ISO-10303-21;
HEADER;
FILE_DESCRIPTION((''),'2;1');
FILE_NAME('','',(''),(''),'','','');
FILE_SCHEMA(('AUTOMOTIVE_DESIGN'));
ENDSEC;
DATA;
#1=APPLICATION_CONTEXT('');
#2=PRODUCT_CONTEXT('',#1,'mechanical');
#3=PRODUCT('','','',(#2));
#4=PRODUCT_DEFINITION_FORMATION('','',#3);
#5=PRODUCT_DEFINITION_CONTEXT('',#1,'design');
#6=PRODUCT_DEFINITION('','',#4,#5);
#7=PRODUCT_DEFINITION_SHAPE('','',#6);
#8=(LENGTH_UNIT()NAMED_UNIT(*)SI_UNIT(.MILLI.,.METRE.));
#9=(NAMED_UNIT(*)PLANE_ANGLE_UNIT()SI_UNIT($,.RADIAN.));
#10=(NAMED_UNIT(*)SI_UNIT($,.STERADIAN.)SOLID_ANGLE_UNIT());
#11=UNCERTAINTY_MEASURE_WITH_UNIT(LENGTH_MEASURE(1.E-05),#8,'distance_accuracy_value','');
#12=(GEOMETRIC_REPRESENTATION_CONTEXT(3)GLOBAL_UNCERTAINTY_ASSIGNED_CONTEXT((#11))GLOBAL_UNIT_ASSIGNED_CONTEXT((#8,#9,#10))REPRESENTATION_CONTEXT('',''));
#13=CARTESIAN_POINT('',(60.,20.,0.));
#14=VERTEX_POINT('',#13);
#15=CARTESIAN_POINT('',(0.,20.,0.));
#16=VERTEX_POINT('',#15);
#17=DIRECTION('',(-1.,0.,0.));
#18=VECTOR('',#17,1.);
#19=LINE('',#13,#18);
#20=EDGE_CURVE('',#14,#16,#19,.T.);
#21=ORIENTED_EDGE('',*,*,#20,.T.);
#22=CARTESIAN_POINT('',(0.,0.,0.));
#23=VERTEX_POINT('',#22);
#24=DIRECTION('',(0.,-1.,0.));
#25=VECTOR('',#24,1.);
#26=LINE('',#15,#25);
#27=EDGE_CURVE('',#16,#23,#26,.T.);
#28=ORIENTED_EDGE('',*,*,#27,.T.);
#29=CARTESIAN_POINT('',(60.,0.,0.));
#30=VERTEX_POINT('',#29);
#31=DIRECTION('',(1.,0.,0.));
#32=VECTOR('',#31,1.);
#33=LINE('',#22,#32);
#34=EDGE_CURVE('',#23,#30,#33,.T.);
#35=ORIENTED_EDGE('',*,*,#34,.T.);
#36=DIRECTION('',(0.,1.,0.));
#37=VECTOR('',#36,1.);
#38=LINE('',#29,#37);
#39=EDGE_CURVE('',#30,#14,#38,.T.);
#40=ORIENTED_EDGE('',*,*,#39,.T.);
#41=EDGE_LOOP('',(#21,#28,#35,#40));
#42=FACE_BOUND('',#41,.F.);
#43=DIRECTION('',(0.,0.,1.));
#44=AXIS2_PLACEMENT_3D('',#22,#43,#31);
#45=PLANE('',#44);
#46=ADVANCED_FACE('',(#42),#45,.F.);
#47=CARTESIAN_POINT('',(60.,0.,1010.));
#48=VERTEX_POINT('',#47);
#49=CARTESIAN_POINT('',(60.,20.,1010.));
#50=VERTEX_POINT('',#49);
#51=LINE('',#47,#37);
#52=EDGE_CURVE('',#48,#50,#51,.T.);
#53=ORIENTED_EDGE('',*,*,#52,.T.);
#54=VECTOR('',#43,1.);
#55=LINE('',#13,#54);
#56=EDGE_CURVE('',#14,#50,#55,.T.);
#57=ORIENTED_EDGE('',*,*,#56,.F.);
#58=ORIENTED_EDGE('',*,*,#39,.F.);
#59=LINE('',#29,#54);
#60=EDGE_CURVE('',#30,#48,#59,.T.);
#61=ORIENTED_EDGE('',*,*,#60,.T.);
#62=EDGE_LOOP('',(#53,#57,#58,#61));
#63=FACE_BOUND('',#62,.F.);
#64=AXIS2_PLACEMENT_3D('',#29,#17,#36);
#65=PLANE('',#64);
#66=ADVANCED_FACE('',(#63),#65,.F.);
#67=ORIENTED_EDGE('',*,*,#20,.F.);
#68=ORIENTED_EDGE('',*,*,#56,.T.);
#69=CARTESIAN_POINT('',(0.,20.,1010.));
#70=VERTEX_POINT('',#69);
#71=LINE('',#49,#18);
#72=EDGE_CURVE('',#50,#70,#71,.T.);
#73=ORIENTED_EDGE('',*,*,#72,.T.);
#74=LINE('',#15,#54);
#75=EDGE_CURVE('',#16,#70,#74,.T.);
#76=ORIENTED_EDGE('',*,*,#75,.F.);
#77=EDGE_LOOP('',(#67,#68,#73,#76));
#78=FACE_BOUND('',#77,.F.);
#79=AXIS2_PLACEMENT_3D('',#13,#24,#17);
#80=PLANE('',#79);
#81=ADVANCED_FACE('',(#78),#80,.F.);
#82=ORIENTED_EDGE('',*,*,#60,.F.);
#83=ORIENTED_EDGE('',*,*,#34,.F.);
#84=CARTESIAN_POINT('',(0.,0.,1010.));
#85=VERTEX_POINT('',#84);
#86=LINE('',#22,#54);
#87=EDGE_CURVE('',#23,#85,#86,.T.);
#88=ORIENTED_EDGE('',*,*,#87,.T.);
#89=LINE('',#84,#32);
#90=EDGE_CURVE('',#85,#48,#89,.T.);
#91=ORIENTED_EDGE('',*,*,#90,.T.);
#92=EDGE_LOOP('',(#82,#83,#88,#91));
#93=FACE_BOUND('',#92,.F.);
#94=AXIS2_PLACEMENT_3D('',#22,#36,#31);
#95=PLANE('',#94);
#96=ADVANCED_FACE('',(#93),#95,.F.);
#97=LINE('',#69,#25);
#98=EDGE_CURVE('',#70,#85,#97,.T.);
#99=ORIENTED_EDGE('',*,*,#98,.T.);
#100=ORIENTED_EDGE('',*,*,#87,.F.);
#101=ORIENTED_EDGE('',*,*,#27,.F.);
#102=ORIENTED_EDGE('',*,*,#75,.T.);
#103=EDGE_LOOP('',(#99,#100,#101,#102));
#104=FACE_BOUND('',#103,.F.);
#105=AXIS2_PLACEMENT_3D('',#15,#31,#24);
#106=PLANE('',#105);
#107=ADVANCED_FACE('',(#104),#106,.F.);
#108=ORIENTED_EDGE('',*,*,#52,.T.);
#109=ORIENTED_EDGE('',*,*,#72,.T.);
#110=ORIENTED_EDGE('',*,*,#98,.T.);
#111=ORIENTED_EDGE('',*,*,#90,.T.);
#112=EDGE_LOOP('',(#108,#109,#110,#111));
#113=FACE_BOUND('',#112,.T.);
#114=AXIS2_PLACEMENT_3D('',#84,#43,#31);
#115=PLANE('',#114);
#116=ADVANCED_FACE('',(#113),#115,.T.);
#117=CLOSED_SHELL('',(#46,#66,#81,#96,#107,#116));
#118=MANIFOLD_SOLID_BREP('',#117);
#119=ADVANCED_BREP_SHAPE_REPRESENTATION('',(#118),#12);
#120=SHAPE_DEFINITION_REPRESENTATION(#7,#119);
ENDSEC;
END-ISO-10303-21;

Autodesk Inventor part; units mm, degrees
ref_plane "YZ Plane" through (0, 0, 0) normal (1, 0, 0) x (0, 1, 0)
ref_plane "Начальная плоскость" through (0, 0, 0) normal (0, 0, 1) x (1, 0, 0)
ref_plane "Конечная плоскость" through (0, 0, 1010) normal (0, 0, 1) x (1, 0, 0)
sketch "Эскиз" plane through (0, 0, 0) normal (0, 0, 1) x (1, 0, 0)
  line L0 (0, 0) -> (60, 0)
  line L1 (60, 0) -> (60, 20)
  line L2 (60, 20) -> (0, 20)
  line L3 (0, 20) -> (0, 0)
  point P0 (0, 0)
extrude "Тело" add sketch "Эскиз" along normal up to surface (1010 mm away) from surface at 0
sketch "Эскиз6" plane through (0, 0, 0) normal (0, 0, 1) x (1, 0, 0)
  line L0 (0, 0) -> (10, 0)
ref_plane "РабПлоскость5" through (0, 0, 0) normal (0, -1, 0) x (1, 0, 0)
sketch "Эскиз7" plane through (0, 0, 0) normal (0, -1, 0) x (1, 0, 0)
  line L0 (-2, 0) -> (12, 0)
  line L1 (-2, 1010) -> (12, 1010)
  dimension "d17" = 1010
equation "\"G_OFFSET_START\" = 0"
equation "\"G_OFFSET_END\" = 0"
properties part number "Планка 60х20" material "Древесина (дуб)"
